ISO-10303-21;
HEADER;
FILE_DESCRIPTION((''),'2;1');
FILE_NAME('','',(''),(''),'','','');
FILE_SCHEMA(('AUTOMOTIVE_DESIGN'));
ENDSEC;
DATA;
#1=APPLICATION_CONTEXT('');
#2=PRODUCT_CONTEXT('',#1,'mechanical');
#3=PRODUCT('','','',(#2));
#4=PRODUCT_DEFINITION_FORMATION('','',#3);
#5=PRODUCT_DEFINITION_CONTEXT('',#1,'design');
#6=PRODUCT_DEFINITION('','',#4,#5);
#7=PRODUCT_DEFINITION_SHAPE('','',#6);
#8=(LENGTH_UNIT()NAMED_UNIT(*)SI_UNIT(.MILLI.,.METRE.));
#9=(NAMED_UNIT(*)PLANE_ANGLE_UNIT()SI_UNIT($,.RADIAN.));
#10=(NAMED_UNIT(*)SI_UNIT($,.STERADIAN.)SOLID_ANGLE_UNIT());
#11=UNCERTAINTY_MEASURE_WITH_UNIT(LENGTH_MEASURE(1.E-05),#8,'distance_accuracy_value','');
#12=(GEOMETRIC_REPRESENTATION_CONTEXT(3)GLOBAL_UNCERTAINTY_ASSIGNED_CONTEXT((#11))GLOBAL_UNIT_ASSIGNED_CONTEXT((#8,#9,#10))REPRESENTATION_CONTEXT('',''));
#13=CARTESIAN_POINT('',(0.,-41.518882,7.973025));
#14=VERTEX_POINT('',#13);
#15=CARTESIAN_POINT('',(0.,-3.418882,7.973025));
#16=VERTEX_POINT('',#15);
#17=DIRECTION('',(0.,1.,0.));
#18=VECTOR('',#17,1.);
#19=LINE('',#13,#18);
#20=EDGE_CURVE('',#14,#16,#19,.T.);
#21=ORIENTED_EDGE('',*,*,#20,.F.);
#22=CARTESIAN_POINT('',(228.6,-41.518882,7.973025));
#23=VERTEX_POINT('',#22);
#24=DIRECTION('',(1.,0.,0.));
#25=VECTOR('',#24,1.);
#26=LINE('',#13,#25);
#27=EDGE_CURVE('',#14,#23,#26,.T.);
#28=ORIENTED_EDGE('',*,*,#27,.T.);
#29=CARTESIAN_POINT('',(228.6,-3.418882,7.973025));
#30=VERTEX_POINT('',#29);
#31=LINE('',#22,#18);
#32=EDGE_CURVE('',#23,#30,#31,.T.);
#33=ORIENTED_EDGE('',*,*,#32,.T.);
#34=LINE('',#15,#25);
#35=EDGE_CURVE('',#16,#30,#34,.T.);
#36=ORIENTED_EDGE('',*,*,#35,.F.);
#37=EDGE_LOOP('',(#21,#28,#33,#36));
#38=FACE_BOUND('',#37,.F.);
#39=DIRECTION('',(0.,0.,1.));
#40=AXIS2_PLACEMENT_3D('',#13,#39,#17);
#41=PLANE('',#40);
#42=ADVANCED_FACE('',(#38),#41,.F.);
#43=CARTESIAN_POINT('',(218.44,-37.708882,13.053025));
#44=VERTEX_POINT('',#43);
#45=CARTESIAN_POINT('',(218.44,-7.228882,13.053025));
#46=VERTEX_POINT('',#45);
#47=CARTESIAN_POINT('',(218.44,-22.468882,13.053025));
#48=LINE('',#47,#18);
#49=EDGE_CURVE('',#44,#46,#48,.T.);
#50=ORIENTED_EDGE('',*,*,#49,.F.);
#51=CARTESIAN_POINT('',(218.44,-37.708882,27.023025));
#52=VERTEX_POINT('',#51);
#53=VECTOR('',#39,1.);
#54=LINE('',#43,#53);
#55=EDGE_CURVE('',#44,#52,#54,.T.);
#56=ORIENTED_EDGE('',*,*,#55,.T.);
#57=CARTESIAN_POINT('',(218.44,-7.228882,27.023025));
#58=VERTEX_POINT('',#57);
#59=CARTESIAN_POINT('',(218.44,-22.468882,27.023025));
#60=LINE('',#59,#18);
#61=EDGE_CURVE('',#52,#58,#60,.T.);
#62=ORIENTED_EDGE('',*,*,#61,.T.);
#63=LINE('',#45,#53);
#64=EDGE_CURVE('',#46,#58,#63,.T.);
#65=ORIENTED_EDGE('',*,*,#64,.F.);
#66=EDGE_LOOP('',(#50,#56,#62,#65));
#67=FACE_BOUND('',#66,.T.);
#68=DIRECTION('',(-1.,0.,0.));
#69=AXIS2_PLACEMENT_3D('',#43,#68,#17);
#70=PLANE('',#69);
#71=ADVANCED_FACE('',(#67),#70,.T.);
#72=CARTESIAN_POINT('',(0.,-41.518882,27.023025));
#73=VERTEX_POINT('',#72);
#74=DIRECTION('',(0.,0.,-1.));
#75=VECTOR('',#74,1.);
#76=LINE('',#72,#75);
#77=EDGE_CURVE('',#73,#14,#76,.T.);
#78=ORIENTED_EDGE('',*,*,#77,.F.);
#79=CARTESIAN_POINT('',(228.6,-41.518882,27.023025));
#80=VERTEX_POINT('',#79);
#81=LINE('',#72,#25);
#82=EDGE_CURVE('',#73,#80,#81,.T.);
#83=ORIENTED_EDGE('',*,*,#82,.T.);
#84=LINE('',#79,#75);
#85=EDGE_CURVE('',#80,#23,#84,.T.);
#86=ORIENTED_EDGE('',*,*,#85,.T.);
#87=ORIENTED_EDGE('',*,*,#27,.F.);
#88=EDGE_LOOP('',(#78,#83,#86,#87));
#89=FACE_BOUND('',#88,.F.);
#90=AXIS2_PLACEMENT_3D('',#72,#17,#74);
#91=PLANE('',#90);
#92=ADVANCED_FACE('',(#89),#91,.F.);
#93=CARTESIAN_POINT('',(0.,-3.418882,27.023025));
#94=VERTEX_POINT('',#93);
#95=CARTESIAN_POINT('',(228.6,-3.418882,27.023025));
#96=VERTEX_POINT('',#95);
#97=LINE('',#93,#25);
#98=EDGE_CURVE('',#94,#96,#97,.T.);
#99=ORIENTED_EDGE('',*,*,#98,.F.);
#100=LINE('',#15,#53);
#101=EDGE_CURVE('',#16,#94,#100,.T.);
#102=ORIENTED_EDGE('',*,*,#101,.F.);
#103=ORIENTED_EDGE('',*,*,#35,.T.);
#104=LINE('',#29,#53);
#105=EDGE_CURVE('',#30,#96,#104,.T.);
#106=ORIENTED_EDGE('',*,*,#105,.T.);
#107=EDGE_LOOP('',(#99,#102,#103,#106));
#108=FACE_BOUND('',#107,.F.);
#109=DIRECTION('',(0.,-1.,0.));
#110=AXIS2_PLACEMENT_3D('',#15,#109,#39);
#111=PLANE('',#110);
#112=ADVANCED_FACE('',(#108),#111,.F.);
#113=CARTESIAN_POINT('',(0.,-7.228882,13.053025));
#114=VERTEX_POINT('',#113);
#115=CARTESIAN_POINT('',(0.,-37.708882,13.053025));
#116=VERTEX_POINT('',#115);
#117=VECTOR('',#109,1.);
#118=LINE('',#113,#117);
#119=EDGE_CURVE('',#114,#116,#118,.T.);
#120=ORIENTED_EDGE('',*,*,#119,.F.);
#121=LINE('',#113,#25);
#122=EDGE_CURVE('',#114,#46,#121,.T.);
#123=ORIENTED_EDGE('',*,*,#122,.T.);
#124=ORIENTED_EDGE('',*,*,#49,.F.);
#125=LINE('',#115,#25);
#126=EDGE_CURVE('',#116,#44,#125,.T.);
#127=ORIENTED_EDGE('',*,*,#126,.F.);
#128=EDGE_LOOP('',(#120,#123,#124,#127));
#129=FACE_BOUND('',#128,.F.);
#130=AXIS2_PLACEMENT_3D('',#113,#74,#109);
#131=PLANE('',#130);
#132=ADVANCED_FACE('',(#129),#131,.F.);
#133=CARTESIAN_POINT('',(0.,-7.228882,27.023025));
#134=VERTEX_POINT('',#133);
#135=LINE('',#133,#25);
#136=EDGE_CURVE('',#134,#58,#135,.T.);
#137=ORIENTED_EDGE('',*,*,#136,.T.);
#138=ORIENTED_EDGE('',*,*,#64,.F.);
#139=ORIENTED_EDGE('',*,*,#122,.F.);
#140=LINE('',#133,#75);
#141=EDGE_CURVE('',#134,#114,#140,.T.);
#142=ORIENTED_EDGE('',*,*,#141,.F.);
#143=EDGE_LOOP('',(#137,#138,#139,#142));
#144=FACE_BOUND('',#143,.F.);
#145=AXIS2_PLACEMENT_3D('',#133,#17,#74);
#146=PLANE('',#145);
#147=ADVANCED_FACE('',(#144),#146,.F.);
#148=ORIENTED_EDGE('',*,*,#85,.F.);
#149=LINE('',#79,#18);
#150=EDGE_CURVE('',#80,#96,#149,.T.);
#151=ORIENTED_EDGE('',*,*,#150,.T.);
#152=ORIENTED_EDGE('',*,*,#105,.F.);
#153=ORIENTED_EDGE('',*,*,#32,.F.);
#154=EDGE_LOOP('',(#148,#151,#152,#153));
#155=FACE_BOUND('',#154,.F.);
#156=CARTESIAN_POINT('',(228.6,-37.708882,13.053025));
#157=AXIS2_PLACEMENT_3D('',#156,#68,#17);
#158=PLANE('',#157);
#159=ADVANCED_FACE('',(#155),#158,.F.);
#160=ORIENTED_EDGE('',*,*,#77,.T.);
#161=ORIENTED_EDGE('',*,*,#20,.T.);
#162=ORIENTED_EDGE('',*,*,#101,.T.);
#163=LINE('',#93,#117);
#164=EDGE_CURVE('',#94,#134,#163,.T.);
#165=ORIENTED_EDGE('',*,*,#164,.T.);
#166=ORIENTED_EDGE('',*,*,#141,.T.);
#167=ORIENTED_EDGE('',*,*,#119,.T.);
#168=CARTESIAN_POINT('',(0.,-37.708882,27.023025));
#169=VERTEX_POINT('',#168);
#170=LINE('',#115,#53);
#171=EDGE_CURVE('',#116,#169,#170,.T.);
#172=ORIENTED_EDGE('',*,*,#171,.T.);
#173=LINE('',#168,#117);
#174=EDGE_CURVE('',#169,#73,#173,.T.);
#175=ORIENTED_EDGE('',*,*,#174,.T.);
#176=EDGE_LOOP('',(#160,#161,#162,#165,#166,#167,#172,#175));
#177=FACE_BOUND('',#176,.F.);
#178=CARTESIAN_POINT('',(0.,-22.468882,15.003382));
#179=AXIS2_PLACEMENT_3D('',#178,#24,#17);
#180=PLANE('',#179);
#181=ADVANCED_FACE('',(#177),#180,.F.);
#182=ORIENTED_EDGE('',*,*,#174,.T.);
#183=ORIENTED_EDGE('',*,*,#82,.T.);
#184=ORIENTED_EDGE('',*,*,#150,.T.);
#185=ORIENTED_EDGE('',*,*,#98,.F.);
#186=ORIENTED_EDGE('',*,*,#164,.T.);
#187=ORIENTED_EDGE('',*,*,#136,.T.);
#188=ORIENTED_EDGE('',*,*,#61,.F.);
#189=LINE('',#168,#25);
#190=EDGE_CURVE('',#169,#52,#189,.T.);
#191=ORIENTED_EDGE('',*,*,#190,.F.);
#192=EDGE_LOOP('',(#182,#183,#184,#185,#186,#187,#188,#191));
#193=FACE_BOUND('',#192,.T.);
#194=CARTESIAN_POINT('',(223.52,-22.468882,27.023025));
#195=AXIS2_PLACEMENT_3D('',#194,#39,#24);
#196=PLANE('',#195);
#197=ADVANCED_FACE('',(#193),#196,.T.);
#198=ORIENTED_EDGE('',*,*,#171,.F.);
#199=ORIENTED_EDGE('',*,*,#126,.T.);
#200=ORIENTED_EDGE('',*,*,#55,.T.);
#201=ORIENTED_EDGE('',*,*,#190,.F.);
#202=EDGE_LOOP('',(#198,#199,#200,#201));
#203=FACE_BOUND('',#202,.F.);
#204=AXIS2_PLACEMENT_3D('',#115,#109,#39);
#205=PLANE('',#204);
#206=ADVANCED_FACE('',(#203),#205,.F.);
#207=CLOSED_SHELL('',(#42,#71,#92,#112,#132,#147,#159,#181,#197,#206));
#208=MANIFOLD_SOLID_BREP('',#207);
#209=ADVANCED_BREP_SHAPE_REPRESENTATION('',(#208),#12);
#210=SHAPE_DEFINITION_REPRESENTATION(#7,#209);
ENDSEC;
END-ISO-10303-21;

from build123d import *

# Parameters (mm, degrees)
F1_DEPTH = 228.6
F2_DEPTH = 228.6
F3_W     = 10.16
F3_H     = 30.48
F4_DEPTH = 13.97


with BuildPart() as f1:
    # F0 (on Right) → F1 (new body)
    with BuildSketch(Plane.YZ):
        Polygon((-41.518882, 27.023025), (-41.518882, 7.973025), (-3.418882, 7.973025), (-3.418882, 27.023025), (-7.228882, 27.023025), (-7.228882, 13.053025), (-37.708882, 13.053025), (-37.708882, 27.023025), align=None)
    extrude(amount=F1_DEPTH)

    # F0 (on Right) → F2 (join)
    with BuildSketch(Plane.YZ):
        Polygon((-41.518882, 27.023025), (-41.518882, 7.973025), (-3.418882, 7.973025), (-3.418882, 27.023025), (-7.228882, 27.023025), (-7.228882, 13.053025), (-37.708882, 13.053025), (-37.708882, 27.023025), align=None)
    extrude(amount=F2_DEPTH)

    # F3 (on face) → F4 (join)
    with BuildSketch(Plane.XY.offset(13.053025)):
        with Locations((223.52, -22.468882)):
            Rectangle(F3_W, F3_H)
    extrude(amount=F4_DEPTH)


with BuildPart() as f5_1:
    # F5: copy of F1
    add(f1.part)


solid = f1.part
